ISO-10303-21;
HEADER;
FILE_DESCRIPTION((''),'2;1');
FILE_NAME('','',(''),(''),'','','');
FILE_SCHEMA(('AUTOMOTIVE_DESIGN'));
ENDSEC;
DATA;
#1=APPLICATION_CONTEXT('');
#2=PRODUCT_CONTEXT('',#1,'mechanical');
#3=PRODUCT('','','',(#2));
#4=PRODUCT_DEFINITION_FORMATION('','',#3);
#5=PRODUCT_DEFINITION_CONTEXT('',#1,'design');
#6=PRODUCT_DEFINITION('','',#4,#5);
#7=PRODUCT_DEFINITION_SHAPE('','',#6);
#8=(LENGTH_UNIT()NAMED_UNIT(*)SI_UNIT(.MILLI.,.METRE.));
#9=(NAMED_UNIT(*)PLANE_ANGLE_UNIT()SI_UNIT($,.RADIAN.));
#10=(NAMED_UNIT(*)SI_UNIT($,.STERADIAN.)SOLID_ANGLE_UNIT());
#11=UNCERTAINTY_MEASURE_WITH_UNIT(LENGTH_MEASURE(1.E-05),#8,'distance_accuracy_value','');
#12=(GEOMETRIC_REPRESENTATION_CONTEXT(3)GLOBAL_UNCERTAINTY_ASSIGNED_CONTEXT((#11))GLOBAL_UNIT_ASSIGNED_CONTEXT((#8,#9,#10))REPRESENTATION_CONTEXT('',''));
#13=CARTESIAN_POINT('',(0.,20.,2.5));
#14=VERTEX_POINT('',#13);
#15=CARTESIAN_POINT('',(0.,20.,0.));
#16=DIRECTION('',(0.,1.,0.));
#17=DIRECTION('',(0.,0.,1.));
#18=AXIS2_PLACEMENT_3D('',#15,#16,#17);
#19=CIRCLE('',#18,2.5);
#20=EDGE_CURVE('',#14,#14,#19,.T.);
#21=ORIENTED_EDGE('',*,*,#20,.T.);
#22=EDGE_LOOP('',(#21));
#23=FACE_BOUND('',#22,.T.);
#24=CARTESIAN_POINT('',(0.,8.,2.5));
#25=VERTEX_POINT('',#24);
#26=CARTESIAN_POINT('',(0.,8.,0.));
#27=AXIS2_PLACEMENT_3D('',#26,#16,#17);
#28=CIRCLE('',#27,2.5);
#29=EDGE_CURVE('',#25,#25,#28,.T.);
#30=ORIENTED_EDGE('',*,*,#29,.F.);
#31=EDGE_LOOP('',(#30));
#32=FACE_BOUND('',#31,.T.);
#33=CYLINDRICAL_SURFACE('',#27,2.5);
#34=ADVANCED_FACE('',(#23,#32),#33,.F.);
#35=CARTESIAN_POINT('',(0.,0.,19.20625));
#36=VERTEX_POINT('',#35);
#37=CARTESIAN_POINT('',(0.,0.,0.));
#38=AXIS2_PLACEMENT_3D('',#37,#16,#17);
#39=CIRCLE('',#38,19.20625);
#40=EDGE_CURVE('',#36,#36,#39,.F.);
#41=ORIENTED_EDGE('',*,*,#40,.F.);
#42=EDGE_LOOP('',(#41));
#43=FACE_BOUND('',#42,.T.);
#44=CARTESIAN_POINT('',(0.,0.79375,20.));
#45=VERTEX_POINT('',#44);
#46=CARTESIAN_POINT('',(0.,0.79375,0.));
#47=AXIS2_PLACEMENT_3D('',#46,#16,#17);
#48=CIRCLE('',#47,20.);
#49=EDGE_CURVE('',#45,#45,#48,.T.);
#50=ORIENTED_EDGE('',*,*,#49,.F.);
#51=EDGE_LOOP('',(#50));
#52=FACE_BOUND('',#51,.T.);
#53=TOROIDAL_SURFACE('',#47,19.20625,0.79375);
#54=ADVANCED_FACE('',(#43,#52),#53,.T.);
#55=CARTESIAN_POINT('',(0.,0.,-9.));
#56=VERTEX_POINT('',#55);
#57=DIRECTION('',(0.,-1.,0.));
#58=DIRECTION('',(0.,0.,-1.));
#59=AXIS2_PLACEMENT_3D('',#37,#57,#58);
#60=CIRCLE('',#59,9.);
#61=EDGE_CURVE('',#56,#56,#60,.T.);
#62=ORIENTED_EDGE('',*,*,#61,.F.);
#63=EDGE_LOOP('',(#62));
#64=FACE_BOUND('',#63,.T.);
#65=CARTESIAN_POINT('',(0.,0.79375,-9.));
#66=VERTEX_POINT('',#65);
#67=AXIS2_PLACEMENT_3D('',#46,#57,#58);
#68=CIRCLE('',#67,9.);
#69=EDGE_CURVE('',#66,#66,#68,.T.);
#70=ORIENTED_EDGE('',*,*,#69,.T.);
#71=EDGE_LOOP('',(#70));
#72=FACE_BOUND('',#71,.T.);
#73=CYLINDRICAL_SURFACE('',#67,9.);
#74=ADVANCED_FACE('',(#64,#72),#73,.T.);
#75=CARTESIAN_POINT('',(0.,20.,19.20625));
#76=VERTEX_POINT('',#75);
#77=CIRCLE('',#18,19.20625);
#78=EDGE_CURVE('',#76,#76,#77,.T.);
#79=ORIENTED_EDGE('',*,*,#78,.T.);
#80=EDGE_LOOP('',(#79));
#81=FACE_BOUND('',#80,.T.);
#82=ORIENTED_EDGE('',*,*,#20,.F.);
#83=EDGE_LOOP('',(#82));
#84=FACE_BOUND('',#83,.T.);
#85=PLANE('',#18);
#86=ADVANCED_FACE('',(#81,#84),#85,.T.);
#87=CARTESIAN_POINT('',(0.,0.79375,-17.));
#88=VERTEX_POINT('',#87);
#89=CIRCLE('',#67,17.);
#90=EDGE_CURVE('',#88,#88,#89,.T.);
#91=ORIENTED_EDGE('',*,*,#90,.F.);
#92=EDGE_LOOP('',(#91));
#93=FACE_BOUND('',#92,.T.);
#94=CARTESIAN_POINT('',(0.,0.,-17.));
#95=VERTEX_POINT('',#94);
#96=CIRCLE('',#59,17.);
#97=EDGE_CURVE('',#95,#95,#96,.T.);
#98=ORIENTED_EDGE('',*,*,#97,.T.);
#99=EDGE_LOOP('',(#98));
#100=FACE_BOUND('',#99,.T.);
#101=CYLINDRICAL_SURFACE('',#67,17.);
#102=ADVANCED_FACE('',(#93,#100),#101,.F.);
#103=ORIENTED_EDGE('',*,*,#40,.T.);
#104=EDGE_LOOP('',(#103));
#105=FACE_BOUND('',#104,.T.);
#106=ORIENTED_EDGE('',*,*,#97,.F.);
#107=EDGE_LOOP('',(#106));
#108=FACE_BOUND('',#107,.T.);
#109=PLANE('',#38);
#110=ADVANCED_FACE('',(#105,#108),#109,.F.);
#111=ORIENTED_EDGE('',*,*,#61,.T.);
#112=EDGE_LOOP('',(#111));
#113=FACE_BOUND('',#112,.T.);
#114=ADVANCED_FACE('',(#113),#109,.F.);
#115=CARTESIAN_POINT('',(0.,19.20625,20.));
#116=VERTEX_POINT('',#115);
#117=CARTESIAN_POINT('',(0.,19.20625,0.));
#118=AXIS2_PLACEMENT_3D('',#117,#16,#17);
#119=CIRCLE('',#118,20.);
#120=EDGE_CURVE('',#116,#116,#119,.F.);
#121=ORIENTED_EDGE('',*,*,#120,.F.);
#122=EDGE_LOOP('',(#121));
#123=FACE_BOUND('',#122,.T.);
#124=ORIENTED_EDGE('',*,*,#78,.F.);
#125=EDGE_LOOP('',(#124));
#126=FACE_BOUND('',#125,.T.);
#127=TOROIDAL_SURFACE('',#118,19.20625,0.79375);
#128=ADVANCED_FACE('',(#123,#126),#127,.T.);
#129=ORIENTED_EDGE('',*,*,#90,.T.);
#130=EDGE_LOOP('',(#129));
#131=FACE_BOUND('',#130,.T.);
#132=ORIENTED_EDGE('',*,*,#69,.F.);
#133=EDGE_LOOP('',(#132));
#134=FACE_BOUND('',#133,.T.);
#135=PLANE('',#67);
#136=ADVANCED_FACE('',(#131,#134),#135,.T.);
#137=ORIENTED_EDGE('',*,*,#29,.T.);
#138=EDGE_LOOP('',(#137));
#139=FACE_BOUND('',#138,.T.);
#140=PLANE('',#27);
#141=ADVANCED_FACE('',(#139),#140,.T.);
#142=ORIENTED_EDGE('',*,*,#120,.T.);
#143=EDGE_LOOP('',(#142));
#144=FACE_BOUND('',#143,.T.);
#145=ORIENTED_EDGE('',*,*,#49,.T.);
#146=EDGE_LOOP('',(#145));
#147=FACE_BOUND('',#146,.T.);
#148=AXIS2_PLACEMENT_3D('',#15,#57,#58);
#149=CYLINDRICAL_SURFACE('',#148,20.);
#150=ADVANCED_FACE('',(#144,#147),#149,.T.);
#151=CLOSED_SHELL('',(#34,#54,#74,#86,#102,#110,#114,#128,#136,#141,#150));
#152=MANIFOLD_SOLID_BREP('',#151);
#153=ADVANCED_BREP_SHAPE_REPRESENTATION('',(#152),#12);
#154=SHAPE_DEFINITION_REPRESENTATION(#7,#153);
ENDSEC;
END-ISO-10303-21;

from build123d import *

# Parameters (mm, degrees)
SKETCH1_R           = 20
BOSS_EXTRUDE1_DEPTH = 20
SKETCH2_R           = 2.5
CUT_EXTRUDE1_DEPTH  = 12
FILLET1_R           = 0.79375
SKETCH3_R           = 17
SKETCH3_R_2         = 9
CUT_EXTRUDE2_DEPTH  = 0.79375


with BuildPart() as part:
    # Sketch1 → Boss-Extrude1 (new body)
    with BuildSketch(Plane(origin=(0, 0, 0), x_dir=(1, 0, 0), z_dir=(0, 1, 0))):
        Circle(SKETCH1_R)
    extrude(amount=BOSS_EXTRUDE1_DEPTH)

    # Sketch2 → Cut-Extrude1 (cut)
    with BuildSketch(Plane(origin=(0, 20, 0), x_dir=(1, 0, 0), z_dir=(0, 1, 0))):
        Circle(SKETCH2_R)
    extrude(amount=-CUT_EXTRUDE1_DEPTH, mode=Mode.SUBTRACT)

    # Fillet1
    fillet1_edges = [part.edges().sort_by_distance(p)[0] for p in [
        (-20, 0, 0),
        (-20, 20, 0),
    ]]
    fillet(fillet1_edges, radius=FILLET1_R)

    # Sketch3 → Cut-Extrude2 (cut)
    with BuildSketch(Plane.XZ):
        Circle(SKETCH3_R)
        Circle(SKETCH3_R_2, mode=Mode.SUBTRACT)
    extrude(amount=-CUT_EXTRUDE2_DEPTH, mode=Mode.SUBTRACT)


solid = part.part
